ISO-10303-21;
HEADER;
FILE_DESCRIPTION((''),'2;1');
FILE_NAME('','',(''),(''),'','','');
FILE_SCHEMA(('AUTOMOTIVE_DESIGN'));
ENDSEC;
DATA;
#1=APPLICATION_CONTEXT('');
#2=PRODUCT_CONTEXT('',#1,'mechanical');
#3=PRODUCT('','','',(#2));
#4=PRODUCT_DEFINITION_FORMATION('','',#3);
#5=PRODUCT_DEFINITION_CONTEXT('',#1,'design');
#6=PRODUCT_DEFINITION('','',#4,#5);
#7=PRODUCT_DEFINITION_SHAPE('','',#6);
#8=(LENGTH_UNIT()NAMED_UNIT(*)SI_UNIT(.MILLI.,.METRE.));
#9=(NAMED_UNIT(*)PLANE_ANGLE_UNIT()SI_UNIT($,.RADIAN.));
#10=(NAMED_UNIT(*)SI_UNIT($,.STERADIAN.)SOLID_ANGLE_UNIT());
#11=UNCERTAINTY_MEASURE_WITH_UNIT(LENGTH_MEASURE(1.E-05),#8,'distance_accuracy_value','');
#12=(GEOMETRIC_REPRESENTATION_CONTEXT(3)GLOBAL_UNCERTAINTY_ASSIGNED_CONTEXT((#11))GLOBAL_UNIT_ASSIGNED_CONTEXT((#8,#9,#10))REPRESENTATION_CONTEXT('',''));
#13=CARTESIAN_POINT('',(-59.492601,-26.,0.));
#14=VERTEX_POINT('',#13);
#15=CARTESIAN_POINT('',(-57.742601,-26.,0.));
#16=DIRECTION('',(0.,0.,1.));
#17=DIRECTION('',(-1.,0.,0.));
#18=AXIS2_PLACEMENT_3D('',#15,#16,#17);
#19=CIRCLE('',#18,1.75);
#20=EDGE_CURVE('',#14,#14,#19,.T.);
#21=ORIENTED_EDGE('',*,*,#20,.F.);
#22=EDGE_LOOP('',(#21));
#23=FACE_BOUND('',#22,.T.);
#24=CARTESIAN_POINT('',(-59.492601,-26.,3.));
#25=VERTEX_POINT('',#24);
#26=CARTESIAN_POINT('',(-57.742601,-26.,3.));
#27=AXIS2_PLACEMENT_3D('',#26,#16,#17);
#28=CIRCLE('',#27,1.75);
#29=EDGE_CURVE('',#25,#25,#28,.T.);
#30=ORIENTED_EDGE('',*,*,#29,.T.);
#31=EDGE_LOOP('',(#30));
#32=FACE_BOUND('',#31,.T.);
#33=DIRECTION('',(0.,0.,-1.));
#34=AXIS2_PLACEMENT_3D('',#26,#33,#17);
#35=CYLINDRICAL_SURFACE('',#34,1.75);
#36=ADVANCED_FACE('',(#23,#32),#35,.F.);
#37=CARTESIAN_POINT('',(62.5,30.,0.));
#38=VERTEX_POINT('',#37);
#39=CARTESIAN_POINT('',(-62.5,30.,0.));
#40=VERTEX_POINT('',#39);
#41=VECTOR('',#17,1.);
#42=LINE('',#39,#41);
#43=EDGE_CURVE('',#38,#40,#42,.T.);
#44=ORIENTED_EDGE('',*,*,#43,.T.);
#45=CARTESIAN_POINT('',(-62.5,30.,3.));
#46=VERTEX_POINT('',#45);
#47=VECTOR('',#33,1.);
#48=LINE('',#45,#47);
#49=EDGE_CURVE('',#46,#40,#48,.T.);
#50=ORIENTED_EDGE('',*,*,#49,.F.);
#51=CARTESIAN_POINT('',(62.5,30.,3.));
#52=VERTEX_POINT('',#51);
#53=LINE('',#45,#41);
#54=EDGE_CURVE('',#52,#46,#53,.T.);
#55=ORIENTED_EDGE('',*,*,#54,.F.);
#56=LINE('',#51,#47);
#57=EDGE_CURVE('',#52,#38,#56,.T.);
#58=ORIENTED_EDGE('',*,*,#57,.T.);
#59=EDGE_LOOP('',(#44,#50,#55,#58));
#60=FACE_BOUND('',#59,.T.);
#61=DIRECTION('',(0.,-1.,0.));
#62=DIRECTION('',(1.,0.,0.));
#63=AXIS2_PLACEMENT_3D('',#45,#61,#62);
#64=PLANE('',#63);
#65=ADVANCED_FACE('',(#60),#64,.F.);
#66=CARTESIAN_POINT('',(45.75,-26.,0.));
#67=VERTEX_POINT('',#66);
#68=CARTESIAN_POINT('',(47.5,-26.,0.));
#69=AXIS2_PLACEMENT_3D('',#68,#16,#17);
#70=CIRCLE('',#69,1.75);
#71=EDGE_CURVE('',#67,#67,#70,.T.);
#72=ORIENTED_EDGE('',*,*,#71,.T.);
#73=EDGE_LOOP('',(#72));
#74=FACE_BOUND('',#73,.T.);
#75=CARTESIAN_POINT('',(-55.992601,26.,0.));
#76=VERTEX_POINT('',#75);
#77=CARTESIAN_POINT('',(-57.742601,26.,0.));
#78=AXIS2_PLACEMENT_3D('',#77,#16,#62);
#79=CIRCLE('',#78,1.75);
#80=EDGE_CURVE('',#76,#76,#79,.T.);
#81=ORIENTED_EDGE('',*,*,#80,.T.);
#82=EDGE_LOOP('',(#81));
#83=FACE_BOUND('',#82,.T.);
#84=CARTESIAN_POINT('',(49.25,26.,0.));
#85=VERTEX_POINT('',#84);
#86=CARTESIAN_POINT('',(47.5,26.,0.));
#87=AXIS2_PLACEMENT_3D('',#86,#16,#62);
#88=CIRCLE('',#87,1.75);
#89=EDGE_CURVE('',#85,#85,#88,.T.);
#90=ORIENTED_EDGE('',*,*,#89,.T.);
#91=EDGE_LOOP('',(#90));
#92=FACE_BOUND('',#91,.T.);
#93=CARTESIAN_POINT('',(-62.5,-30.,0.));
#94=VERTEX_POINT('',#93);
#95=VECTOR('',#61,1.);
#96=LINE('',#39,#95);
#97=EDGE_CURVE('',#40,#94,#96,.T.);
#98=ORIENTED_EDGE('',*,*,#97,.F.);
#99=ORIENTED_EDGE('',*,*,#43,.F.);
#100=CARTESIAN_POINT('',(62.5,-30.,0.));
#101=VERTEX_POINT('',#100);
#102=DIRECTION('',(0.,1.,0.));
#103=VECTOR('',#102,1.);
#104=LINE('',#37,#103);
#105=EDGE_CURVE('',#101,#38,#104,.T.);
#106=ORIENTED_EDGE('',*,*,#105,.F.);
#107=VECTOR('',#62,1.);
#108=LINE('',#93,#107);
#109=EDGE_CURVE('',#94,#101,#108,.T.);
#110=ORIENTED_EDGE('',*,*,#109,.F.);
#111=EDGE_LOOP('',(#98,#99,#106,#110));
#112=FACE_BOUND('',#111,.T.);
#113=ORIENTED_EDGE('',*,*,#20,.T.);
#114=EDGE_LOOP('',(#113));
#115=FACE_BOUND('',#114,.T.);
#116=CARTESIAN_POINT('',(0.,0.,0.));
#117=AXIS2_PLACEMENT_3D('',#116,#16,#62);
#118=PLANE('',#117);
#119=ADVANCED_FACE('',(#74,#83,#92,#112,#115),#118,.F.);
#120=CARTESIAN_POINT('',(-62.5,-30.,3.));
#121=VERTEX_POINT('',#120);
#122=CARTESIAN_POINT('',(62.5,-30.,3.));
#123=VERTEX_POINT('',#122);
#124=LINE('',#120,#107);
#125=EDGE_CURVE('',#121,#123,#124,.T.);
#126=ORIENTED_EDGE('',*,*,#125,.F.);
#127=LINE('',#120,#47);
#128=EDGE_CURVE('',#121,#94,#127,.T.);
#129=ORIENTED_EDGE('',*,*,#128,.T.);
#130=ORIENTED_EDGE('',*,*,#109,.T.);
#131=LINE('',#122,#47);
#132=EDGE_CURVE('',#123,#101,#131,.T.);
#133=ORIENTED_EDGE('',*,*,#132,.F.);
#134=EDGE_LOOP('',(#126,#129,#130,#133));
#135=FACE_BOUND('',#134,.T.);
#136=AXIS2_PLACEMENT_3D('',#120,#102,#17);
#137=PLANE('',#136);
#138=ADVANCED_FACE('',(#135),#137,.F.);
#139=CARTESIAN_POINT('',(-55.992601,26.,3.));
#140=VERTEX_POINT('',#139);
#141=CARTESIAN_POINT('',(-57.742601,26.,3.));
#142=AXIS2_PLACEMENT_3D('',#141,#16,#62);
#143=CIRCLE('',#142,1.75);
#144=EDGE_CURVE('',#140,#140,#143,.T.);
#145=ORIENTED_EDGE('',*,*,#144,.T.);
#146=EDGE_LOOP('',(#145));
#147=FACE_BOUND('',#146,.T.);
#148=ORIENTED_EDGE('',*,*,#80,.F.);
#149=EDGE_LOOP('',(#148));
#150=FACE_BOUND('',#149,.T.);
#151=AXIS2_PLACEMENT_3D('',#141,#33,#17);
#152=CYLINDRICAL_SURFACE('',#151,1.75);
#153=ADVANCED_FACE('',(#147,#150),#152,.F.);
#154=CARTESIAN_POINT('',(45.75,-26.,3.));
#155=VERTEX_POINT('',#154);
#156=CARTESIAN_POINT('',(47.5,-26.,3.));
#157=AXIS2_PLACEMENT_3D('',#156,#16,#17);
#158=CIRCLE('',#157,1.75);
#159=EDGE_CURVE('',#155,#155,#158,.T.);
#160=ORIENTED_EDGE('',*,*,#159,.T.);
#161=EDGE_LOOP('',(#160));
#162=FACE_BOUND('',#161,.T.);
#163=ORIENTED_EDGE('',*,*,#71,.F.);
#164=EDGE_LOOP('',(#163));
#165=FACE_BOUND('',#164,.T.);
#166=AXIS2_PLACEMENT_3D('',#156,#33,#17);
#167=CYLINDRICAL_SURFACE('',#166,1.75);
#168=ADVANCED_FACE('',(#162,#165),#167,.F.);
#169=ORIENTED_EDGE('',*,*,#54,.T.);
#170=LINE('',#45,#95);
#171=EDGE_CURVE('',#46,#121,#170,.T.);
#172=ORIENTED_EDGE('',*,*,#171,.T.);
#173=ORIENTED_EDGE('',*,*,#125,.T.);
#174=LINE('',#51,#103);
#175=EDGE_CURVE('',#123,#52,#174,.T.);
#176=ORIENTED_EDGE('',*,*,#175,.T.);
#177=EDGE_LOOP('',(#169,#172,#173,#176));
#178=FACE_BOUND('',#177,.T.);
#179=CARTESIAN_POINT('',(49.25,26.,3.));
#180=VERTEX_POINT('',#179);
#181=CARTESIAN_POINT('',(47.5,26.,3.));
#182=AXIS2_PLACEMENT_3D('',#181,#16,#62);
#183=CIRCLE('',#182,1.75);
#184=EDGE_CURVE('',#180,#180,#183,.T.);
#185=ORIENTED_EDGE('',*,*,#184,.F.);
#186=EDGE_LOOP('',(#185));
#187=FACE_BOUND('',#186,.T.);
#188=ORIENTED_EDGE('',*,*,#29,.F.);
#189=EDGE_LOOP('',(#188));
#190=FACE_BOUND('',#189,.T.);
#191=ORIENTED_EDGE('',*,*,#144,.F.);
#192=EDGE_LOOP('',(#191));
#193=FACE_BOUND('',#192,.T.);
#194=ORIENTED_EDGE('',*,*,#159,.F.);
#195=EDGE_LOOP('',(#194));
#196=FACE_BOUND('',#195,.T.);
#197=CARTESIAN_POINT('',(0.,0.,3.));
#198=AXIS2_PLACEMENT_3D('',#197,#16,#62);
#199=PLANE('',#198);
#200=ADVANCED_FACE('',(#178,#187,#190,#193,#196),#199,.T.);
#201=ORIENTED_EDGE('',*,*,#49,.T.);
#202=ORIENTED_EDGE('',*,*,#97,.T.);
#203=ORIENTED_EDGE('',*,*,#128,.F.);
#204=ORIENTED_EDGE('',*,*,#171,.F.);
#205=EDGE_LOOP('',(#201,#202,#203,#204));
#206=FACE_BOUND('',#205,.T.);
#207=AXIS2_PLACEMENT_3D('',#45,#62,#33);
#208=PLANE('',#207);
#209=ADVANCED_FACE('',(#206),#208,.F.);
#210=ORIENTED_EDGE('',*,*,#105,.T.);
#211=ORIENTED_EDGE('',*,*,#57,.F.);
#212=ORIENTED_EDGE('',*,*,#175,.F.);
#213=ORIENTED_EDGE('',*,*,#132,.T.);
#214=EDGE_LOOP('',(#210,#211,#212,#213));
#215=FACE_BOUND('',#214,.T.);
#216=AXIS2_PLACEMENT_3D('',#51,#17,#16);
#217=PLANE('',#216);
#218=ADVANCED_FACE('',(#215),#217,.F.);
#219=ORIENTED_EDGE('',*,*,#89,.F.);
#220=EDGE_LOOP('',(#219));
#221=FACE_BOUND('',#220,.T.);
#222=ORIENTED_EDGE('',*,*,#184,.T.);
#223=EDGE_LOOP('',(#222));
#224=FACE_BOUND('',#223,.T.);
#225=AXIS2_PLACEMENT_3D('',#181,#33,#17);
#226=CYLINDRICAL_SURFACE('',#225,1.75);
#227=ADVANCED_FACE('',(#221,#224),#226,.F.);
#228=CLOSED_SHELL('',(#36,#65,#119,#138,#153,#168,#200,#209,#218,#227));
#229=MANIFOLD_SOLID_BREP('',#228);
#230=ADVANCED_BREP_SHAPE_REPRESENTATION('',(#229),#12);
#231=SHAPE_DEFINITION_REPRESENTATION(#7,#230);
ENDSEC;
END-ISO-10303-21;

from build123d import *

# Parameters (mm, degrees)
SKETCH_1_W      = 125
SKETCH_1_H      = 60
SKETCH_1_R      = 1.75
EXTRUDE_1_DEPTH = 3


with BuildPart() as part:
    # Эскиз1 → Бобышка-Вытянуть1 (new body)
    with BuildSketch(Plane.XY):
        Rectangle(SKETCH_1_W, SKETCH_1_H)
        with Locations((47.5, 26)):
            Circle(SKETCH_1_R, mode=Mode.SUBTRACT)
        with Locations((-57.7426005, 26)):
            Circle(SKETCH_1_R, mode=Mode.SUBTRACT)
        with Locations(Location((47.5, -26, 0), (0, 0, 180))):
            Circle(SKETCH_1_R, mode=Mode.SUBTRACT)
        with Locations(Location((-57.7426005, -26, 0), (0, 0, 180))):
            Circle(SKETCH_1_R, mode=Mode.SUBTRACT)
    extrude(amount=EXTRUDE_1_DEPTH)


solid = part.part
